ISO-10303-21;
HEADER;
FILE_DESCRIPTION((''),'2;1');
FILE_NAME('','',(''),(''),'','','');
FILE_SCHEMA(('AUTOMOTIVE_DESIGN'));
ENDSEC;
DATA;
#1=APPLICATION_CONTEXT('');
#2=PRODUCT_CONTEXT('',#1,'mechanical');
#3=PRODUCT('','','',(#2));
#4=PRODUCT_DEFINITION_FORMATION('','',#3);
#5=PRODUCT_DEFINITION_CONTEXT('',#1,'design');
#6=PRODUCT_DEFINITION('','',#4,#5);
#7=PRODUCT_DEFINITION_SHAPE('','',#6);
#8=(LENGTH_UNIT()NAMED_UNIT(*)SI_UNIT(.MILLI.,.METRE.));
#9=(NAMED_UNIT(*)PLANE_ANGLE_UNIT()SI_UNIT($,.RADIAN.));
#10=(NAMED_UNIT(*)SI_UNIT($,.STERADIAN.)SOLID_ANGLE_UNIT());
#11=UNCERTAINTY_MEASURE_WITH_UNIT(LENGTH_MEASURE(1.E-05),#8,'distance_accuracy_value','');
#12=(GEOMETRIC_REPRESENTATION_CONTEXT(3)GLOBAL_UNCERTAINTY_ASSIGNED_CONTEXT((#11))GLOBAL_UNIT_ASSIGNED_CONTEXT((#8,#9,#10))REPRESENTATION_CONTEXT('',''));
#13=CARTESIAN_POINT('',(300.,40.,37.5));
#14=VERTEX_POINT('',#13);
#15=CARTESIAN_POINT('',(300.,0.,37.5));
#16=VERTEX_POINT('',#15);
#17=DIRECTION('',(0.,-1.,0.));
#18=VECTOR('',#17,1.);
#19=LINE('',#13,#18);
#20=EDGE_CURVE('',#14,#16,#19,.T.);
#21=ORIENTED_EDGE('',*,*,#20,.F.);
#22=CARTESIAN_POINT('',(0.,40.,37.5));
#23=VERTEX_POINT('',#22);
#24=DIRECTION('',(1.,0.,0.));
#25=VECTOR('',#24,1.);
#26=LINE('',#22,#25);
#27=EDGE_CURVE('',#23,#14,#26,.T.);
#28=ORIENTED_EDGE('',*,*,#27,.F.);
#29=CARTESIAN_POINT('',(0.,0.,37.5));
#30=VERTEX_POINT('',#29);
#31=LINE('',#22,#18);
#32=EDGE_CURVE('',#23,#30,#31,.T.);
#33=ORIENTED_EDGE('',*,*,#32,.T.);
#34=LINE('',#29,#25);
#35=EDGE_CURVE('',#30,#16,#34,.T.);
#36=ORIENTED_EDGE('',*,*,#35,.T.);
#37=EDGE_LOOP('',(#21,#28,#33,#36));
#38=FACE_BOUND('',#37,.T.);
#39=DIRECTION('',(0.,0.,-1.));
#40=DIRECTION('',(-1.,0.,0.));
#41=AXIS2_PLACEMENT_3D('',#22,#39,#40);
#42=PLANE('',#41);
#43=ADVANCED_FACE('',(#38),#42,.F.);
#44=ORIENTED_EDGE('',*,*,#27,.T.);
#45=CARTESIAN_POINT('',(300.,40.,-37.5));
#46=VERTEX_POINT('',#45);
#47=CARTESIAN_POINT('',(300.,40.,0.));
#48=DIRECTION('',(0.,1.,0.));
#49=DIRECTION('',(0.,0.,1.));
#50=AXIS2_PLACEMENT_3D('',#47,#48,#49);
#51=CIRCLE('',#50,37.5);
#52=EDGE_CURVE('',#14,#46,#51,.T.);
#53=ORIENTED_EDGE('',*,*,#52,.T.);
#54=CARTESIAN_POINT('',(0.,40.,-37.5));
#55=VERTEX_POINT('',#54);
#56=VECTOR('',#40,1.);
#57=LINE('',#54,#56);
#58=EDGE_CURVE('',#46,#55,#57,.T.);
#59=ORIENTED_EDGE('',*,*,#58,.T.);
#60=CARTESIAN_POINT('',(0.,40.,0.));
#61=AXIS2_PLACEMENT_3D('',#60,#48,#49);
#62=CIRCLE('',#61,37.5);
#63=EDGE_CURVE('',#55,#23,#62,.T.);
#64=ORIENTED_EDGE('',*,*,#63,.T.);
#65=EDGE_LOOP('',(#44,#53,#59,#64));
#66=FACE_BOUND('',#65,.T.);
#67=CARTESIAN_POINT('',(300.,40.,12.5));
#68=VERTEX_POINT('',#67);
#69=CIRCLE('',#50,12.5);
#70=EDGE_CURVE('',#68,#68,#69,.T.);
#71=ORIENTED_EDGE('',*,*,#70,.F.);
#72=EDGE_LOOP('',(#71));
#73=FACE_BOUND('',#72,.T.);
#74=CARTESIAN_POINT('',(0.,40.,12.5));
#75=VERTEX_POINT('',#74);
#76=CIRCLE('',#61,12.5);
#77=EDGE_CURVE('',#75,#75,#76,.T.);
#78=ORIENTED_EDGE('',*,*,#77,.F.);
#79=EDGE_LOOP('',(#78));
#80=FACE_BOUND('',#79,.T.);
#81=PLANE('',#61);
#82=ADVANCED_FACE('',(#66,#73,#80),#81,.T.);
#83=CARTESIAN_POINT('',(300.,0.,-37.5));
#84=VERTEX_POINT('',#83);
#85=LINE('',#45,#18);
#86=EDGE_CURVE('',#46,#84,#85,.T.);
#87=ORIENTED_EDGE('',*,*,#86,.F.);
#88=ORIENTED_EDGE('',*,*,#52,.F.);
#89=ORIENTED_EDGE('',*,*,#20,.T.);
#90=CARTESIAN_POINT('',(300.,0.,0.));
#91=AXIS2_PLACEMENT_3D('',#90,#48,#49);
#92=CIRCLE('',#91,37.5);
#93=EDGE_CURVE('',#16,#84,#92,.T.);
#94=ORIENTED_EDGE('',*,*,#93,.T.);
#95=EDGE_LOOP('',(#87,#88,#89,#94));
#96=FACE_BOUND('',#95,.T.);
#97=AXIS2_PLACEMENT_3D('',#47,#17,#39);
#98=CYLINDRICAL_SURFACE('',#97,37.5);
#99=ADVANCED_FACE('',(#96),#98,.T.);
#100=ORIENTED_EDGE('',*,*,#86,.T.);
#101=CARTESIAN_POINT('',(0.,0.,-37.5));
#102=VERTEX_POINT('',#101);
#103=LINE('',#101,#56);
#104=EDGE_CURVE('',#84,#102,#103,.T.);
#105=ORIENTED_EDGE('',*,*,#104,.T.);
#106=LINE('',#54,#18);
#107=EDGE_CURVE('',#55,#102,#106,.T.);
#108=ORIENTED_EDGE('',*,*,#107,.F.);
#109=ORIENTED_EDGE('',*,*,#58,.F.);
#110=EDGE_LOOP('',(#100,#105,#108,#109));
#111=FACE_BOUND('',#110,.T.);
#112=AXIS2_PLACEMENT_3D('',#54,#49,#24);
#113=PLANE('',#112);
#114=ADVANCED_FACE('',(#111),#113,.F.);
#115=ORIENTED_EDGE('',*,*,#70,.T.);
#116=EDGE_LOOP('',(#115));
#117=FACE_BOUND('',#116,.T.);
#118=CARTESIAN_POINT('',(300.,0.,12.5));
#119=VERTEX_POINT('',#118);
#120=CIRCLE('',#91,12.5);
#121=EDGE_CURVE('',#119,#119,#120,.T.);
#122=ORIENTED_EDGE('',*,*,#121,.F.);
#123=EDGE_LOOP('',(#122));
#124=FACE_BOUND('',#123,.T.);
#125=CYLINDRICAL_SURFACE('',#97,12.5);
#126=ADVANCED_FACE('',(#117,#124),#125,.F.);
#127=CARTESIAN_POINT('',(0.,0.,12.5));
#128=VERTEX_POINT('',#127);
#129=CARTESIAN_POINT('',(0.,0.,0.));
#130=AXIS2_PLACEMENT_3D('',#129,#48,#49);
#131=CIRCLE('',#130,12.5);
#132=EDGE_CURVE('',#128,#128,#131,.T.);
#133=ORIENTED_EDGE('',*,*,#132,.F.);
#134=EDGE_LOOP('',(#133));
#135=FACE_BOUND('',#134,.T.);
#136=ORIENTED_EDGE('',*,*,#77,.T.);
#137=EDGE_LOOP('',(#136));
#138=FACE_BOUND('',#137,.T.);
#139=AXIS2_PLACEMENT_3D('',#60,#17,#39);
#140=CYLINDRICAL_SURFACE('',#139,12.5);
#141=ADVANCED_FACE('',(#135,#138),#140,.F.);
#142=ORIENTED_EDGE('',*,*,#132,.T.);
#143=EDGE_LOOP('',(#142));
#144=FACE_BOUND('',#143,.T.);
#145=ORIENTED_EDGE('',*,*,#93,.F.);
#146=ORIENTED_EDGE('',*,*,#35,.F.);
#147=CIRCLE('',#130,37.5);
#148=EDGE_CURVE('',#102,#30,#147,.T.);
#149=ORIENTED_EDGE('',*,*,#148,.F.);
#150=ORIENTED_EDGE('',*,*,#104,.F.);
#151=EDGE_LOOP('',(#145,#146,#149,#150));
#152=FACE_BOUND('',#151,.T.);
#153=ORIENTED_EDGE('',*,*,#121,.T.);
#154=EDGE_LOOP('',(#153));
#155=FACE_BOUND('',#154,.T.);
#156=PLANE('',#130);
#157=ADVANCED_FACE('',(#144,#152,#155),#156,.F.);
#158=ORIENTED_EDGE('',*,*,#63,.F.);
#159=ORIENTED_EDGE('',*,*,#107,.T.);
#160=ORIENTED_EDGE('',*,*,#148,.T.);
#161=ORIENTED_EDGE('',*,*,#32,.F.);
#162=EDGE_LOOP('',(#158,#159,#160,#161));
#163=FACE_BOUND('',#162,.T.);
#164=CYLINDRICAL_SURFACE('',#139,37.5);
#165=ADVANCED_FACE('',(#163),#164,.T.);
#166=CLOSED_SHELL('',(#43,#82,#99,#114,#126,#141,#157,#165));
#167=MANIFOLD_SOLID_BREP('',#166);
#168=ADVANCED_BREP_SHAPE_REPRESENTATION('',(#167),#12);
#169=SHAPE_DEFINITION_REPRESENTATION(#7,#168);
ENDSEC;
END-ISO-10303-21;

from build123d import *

# Parameters (mm, degrees)
SKETCH1_R           = 12.5
BOSS_EXTRUDE1_DEPTH = 40


with BuildPart() as part:
    # Sketch1 → Boss-Extrude1 (new body)
    with BuildSketch(Plane(origin=(0, 0, 0), x_dir=(1, 0, 0), z_dir=(0, 1, 0))):
        with BuildLine():
            Line((0, 37.5), (300, 37.5))
            ThreePointArc((300, 37.5), (337.5, 0), (300, -37.5))
            Line((300, -37.5), (0, -37.5))
            ThreePointArc((0, -37.5), (-37.5, 0), (0, 37.5))
        make_face()
        Circle(SKETCH1_R, mode=Mode.SUBTRACT)
        with Locations((300, 0)):
            Circle(SKETCH1_R, mode=Mode.SUBTRACT)
    extrude(amount=BOSS_EXTRUDE1_DEPTH)


solid = part.part
